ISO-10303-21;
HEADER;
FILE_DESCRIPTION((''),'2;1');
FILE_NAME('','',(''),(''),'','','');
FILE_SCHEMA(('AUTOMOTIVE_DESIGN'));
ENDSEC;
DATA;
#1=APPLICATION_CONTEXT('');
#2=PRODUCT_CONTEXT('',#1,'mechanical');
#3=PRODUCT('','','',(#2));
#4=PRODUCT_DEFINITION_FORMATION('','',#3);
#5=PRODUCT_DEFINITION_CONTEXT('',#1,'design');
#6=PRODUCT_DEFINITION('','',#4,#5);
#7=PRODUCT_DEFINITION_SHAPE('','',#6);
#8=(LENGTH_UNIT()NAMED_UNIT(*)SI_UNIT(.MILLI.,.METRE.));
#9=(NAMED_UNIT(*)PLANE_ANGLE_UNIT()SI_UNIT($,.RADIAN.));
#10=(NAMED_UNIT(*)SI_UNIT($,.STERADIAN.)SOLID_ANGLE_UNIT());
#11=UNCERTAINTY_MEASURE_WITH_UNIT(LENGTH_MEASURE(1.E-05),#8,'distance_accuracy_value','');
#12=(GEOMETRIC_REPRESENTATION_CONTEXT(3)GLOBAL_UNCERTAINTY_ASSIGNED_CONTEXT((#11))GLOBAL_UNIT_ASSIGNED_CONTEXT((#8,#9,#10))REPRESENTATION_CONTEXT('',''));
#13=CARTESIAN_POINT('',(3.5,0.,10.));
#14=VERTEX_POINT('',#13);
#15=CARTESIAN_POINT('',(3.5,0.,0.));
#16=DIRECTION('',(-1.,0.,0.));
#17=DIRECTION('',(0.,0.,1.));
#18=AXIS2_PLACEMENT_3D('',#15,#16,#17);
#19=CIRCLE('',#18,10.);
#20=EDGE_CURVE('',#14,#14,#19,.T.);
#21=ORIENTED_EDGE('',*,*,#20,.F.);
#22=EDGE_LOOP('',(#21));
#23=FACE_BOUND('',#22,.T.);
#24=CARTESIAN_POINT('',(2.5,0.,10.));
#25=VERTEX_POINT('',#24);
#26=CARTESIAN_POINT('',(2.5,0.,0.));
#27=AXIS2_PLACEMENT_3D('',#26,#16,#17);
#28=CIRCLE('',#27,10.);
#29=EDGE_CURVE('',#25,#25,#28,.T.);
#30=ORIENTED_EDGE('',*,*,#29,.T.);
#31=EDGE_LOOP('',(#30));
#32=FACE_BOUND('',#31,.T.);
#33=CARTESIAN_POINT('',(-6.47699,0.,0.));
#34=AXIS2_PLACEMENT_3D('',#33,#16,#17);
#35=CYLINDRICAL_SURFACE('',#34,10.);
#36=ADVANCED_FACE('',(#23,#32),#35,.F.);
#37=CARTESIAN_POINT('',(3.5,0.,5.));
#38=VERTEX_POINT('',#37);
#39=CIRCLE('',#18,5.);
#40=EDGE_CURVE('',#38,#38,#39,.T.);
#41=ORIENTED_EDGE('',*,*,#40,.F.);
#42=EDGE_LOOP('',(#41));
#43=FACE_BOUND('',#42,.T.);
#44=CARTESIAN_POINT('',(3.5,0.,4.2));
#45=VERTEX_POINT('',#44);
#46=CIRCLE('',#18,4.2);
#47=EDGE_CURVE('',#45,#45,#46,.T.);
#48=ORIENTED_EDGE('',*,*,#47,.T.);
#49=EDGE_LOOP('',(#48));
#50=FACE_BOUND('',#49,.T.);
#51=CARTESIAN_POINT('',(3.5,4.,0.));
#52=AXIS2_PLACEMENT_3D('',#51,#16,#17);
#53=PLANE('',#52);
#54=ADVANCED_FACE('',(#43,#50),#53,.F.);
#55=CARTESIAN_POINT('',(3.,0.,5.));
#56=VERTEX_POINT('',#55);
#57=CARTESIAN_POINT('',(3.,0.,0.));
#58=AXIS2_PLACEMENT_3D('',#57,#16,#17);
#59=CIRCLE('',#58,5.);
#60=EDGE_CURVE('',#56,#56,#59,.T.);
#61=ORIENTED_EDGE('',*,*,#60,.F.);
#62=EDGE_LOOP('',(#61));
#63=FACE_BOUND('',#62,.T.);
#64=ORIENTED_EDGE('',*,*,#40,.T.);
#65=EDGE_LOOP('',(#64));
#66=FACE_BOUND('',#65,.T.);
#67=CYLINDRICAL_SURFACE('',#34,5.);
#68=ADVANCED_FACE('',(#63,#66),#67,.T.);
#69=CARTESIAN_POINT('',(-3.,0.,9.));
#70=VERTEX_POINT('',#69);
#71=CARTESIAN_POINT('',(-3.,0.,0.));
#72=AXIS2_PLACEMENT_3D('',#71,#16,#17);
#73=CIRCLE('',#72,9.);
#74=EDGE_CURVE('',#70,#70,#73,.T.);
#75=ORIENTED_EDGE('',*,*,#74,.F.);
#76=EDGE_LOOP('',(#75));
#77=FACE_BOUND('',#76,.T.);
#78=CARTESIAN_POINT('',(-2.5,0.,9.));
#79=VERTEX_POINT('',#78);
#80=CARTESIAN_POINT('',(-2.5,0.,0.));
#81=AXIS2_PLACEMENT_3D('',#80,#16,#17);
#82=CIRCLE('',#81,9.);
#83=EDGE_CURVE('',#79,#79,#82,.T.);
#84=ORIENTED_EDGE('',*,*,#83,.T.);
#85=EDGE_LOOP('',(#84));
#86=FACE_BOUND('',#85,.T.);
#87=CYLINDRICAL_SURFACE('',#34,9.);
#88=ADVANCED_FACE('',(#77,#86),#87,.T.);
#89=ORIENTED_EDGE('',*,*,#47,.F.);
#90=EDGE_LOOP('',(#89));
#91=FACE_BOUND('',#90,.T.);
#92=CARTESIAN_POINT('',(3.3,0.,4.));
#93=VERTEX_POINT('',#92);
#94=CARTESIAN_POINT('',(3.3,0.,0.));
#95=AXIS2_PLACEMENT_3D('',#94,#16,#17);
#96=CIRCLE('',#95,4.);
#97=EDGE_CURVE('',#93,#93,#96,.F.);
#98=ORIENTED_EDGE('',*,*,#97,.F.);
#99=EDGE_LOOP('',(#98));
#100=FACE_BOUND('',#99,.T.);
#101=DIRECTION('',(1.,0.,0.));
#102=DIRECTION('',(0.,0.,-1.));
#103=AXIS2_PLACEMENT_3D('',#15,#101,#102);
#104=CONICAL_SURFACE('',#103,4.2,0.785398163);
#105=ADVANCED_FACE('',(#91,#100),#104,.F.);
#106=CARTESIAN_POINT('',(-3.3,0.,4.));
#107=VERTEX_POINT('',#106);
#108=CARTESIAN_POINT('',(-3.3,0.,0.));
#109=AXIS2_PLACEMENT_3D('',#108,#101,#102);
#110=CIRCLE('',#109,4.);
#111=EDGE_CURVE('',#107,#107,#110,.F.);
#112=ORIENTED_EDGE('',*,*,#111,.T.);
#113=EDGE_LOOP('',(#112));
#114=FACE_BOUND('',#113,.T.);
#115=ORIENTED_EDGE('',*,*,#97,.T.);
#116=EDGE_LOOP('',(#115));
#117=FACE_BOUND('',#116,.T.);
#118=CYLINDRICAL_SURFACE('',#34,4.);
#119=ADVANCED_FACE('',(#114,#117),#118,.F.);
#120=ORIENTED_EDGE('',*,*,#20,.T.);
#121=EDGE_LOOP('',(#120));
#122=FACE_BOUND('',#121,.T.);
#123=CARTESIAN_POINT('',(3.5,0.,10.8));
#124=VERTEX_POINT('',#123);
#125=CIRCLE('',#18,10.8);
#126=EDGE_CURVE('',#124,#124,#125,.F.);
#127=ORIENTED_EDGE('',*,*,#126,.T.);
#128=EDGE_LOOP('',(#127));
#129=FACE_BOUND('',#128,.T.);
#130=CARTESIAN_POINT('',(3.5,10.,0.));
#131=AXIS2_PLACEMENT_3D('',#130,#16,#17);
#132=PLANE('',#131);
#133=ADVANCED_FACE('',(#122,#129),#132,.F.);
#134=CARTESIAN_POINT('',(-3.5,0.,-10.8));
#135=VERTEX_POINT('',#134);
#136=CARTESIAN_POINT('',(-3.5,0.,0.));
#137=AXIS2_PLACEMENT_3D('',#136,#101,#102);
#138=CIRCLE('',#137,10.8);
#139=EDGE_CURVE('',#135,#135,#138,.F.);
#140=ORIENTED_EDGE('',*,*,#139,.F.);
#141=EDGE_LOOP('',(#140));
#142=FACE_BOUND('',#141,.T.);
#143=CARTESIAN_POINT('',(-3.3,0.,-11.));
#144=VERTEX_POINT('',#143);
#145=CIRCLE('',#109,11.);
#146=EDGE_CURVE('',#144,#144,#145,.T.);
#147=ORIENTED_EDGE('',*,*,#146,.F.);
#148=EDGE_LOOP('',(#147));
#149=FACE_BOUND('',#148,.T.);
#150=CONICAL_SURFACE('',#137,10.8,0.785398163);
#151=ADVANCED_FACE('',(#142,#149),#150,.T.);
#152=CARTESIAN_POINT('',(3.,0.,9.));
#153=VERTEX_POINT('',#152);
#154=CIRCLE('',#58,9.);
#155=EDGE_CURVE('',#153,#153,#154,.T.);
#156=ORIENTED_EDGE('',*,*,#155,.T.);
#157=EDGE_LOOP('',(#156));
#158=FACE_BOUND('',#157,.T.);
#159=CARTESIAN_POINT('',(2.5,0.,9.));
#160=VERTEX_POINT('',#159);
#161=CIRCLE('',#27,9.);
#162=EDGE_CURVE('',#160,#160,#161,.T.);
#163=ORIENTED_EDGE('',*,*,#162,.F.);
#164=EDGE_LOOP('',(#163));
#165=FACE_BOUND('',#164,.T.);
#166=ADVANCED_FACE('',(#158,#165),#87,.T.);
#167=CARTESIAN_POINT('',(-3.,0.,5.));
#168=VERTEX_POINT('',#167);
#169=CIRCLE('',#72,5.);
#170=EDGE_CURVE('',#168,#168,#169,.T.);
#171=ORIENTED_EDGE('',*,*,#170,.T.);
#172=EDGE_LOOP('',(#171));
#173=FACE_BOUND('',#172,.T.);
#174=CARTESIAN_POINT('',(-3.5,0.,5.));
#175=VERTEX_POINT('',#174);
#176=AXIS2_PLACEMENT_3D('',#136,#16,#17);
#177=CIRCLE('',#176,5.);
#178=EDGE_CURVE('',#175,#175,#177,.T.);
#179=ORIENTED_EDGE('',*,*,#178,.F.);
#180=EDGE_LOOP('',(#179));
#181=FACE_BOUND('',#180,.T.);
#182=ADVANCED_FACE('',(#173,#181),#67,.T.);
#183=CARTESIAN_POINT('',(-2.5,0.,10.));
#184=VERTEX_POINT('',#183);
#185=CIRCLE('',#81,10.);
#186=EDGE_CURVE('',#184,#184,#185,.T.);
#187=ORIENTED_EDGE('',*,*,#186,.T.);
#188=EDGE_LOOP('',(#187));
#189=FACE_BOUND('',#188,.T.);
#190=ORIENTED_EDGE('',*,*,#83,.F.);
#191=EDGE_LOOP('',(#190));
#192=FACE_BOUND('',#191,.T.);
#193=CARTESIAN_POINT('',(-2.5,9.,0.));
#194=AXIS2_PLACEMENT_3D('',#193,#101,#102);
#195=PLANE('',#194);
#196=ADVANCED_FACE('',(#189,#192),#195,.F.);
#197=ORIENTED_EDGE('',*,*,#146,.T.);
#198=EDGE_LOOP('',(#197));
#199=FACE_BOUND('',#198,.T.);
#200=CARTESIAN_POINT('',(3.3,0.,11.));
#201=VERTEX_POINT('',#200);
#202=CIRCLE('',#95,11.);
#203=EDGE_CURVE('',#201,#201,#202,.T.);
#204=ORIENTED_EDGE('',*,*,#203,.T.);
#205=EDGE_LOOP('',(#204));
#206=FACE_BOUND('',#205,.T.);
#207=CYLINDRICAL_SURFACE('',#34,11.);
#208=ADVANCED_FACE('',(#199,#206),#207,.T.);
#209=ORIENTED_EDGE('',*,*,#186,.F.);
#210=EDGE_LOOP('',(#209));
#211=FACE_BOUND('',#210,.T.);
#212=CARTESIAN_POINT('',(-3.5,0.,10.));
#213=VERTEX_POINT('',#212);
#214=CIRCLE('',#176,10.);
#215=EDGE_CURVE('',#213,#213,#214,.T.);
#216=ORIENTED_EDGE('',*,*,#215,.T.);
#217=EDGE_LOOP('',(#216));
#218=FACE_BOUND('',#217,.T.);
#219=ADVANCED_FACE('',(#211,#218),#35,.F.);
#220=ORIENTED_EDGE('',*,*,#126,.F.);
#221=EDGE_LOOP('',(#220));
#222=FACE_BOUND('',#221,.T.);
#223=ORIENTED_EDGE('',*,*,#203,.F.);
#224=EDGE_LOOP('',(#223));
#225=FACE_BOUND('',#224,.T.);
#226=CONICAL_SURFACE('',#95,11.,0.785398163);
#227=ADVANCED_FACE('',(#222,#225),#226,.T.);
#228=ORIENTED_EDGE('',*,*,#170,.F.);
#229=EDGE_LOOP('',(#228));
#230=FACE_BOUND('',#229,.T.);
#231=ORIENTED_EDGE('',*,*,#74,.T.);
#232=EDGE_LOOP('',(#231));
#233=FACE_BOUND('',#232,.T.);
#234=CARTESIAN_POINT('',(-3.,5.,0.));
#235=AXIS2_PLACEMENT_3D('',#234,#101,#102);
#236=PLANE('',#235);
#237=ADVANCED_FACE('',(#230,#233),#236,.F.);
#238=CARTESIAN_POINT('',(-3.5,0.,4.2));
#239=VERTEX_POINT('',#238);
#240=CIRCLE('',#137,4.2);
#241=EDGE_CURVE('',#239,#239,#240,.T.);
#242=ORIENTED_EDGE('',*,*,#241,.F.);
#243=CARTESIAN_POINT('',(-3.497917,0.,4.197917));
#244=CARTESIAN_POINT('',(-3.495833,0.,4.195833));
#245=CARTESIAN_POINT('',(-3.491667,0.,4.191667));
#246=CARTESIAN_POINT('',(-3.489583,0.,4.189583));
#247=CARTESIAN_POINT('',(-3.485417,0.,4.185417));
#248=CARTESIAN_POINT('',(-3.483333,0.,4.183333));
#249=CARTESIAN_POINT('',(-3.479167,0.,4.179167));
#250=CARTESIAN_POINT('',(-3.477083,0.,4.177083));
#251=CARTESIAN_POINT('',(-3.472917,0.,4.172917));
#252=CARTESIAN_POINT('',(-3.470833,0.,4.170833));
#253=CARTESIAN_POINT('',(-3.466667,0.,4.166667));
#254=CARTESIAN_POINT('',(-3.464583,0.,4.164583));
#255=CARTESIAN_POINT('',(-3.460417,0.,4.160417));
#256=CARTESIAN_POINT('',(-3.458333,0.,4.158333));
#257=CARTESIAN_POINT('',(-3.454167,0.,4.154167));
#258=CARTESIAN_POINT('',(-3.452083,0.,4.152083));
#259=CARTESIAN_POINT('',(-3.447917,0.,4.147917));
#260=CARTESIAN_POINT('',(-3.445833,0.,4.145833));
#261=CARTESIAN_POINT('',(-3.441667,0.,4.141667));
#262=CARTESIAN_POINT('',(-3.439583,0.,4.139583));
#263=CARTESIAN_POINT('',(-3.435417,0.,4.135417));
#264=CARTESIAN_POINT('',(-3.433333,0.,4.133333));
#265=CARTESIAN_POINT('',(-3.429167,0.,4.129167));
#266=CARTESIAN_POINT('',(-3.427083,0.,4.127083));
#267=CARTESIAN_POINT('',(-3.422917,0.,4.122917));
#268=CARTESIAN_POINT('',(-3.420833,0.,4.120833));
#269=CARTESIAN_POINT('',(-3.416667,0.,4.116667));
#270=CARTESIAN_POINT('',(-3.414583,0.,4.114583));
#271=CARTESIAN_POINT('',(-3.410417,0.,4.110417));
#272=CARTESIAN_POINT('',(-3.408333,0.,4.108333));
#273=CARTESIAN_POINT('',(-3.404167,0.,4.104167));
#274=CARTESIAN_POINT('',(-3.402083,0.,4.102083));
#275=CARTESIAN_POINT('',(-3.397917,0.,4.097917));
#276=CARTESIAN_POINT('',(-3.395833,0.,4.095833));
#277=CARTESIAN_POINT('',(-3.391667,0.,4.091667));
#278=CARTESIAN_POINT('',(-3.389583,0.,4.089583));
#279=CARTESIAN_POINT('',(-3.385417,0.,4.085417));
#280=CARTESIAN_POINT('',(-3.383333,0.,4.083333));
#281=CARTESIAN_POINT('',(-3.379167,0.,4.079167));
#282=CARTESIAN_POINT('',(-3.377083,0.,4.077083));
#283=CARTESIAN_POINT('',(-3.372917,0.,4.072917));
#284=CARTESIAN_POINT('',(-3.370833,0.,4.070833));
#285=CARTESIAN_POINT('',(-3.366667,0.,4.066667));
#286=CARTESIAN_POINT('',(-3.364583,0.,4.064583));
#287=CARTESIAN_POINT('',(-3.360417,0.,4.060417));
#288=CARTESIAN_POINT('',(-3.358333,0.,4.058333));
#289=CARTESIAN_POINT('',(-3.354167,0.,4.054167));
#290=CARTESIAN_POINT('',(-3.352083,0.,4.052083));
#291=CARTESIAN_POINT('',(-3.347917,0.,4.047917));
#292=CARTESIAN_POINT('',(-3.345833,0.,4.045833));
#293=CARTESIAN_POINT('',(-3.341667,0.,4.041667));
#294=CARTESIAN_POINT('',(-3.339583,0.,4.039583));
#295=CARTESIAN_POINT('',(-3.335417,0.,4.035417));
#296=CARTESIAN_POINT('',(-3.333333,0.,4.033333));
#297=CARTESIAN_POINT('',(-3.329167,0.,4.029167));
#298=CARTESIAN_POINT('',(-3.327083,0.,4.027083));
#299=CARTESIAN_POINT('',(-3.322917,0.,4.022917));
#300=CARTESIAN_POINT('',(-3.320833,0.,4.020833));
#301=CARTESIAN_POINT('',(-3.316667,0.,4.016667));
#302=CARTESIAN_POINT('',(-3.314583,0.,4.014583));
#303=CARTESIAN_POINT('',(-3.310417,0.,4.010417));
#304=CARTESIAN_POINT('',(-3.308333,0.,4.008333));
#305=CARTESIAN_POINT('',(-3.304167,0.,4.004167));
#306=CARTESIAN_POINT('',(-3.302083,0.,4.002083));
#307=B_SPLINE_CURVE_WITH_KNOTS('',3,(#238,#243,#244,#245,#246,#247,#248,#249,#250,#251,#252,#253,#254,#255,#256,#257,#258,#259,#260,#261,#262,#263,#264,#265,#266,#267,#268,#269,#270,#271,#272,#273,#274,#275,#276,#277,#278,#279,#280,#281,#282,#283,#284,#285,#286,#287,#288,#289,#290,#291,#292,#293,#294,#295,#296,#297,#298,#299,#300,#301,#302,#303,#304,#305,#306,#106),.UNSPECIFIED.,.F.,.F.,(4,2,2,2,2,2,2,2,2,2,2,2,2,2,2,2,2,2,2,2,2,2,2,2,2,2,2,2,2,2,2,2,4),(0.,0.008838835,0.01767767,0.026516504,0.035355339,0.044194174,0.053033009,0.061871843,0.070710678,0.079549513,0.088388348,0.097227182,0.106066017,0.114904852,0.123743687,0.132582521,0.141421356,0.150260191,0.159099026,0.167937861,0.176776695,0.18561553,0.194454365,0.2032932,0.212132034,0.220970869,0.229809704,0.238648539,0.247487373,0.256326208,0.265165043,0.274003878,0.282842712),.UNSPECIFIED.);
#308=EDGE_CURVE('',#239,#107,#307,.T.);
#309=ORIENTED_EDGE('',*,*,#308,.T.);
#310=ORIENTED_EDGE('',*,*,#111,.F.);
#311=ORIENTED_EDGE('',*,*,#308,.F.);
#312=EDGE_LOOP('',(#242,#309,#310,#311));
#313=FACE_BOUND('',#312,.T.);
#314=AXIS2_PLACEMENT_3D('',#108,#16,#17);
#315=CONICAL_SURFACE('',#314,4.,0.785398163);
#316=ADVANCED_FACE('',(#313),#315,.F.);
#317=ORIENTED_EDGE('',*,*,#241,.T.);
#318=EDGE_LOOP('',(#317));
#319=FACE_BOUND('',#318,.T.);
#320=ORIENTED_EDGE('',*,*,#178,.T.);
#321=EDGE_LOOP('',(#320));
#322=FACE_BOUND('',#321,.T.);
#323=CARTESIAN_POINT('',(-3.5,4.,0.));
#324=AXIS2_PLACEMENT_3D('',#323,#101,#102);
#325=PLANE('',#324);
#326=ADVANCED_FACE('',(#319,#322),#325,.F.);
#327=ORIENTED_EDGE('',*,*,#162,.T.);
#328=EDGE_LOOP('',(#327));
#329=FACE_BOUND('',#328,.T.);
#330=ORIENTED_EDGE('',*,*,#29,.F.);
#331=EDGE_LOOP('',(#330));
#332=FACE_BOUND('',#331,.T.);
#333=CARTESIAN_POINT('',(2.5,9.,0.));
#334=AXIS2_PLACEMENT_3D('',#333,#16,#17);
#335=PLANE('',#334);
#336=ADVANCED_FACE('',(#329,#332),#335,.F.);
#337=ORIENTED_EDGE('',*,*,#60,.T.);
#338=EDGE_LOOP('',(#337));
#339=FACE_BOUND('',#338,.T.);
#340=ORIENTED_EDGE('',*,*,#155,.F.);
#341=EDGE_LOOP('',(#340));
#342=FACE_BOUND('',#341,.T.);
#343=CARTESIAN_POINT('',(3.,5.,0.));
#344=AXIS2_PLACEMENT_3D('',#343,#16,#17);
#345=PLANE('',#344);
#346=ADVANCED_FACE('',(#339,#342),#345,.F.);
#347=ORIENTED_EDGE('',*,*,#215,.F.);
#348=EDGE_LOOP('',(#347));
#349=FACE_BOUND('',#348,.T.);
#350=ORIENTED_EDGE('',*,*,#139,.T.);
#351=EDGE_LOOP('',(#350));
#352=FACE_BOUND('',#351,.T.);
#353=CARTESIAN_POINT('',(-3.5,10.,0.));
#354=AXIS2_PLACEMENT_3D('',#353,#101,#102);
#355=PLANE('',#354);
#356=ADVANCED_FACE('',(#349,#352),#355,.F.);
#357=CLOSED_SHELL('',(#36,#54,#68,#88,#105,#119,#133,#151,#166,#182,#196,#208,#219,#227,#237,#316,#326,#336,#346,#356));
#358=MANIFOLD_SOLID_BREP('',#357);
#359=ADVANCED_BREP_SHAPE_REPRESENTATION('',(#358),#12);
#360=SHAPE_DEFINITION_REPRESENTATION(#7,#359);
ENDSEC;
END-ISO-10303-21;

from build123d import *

# Parameters (mm, degrees)
CHAMFER_1_SIZE = 0.2


with BuildPart() as part:
    # 草图1 → 旋转1 (revolve)
    with BuildSketch(Plane.XY, mode=Mode.PRIVATE) as revolve_1_sk:
        Polygon((-3.5, 4), (3.5, 4), (3.5, 5), (3, 5), (3, 9), (2.5, 9), (2.5, 10), (3.5, 10), (3.5, 11), (-3.5, 11), (-3.5, 10), (-2.5, 10), (-2.5, 9), (-3, 9), (-3, 5), (-3.5, 5), align=None)
    revolve(revolve_1_sk.sketch.rotate(Axis((-6.476989878, 0, 0), (1, 0, 0)), 90), axis=Axis((-6.476989878, 0, 0), (1, 0, 0)))

    # 倒角1
    chamfer_1_edges = [part.edges().sort_by_distance(p)[0] for p in [
        (3.5, 0, -4),
        (-3.5, 0, -4),
        (-3.5, 0, -11),
        (3.5, 0, -11),
    ]]
    chamfer(chamfer_1_edges, length=CHAMFER_1_SIZE)


solid = part.part
